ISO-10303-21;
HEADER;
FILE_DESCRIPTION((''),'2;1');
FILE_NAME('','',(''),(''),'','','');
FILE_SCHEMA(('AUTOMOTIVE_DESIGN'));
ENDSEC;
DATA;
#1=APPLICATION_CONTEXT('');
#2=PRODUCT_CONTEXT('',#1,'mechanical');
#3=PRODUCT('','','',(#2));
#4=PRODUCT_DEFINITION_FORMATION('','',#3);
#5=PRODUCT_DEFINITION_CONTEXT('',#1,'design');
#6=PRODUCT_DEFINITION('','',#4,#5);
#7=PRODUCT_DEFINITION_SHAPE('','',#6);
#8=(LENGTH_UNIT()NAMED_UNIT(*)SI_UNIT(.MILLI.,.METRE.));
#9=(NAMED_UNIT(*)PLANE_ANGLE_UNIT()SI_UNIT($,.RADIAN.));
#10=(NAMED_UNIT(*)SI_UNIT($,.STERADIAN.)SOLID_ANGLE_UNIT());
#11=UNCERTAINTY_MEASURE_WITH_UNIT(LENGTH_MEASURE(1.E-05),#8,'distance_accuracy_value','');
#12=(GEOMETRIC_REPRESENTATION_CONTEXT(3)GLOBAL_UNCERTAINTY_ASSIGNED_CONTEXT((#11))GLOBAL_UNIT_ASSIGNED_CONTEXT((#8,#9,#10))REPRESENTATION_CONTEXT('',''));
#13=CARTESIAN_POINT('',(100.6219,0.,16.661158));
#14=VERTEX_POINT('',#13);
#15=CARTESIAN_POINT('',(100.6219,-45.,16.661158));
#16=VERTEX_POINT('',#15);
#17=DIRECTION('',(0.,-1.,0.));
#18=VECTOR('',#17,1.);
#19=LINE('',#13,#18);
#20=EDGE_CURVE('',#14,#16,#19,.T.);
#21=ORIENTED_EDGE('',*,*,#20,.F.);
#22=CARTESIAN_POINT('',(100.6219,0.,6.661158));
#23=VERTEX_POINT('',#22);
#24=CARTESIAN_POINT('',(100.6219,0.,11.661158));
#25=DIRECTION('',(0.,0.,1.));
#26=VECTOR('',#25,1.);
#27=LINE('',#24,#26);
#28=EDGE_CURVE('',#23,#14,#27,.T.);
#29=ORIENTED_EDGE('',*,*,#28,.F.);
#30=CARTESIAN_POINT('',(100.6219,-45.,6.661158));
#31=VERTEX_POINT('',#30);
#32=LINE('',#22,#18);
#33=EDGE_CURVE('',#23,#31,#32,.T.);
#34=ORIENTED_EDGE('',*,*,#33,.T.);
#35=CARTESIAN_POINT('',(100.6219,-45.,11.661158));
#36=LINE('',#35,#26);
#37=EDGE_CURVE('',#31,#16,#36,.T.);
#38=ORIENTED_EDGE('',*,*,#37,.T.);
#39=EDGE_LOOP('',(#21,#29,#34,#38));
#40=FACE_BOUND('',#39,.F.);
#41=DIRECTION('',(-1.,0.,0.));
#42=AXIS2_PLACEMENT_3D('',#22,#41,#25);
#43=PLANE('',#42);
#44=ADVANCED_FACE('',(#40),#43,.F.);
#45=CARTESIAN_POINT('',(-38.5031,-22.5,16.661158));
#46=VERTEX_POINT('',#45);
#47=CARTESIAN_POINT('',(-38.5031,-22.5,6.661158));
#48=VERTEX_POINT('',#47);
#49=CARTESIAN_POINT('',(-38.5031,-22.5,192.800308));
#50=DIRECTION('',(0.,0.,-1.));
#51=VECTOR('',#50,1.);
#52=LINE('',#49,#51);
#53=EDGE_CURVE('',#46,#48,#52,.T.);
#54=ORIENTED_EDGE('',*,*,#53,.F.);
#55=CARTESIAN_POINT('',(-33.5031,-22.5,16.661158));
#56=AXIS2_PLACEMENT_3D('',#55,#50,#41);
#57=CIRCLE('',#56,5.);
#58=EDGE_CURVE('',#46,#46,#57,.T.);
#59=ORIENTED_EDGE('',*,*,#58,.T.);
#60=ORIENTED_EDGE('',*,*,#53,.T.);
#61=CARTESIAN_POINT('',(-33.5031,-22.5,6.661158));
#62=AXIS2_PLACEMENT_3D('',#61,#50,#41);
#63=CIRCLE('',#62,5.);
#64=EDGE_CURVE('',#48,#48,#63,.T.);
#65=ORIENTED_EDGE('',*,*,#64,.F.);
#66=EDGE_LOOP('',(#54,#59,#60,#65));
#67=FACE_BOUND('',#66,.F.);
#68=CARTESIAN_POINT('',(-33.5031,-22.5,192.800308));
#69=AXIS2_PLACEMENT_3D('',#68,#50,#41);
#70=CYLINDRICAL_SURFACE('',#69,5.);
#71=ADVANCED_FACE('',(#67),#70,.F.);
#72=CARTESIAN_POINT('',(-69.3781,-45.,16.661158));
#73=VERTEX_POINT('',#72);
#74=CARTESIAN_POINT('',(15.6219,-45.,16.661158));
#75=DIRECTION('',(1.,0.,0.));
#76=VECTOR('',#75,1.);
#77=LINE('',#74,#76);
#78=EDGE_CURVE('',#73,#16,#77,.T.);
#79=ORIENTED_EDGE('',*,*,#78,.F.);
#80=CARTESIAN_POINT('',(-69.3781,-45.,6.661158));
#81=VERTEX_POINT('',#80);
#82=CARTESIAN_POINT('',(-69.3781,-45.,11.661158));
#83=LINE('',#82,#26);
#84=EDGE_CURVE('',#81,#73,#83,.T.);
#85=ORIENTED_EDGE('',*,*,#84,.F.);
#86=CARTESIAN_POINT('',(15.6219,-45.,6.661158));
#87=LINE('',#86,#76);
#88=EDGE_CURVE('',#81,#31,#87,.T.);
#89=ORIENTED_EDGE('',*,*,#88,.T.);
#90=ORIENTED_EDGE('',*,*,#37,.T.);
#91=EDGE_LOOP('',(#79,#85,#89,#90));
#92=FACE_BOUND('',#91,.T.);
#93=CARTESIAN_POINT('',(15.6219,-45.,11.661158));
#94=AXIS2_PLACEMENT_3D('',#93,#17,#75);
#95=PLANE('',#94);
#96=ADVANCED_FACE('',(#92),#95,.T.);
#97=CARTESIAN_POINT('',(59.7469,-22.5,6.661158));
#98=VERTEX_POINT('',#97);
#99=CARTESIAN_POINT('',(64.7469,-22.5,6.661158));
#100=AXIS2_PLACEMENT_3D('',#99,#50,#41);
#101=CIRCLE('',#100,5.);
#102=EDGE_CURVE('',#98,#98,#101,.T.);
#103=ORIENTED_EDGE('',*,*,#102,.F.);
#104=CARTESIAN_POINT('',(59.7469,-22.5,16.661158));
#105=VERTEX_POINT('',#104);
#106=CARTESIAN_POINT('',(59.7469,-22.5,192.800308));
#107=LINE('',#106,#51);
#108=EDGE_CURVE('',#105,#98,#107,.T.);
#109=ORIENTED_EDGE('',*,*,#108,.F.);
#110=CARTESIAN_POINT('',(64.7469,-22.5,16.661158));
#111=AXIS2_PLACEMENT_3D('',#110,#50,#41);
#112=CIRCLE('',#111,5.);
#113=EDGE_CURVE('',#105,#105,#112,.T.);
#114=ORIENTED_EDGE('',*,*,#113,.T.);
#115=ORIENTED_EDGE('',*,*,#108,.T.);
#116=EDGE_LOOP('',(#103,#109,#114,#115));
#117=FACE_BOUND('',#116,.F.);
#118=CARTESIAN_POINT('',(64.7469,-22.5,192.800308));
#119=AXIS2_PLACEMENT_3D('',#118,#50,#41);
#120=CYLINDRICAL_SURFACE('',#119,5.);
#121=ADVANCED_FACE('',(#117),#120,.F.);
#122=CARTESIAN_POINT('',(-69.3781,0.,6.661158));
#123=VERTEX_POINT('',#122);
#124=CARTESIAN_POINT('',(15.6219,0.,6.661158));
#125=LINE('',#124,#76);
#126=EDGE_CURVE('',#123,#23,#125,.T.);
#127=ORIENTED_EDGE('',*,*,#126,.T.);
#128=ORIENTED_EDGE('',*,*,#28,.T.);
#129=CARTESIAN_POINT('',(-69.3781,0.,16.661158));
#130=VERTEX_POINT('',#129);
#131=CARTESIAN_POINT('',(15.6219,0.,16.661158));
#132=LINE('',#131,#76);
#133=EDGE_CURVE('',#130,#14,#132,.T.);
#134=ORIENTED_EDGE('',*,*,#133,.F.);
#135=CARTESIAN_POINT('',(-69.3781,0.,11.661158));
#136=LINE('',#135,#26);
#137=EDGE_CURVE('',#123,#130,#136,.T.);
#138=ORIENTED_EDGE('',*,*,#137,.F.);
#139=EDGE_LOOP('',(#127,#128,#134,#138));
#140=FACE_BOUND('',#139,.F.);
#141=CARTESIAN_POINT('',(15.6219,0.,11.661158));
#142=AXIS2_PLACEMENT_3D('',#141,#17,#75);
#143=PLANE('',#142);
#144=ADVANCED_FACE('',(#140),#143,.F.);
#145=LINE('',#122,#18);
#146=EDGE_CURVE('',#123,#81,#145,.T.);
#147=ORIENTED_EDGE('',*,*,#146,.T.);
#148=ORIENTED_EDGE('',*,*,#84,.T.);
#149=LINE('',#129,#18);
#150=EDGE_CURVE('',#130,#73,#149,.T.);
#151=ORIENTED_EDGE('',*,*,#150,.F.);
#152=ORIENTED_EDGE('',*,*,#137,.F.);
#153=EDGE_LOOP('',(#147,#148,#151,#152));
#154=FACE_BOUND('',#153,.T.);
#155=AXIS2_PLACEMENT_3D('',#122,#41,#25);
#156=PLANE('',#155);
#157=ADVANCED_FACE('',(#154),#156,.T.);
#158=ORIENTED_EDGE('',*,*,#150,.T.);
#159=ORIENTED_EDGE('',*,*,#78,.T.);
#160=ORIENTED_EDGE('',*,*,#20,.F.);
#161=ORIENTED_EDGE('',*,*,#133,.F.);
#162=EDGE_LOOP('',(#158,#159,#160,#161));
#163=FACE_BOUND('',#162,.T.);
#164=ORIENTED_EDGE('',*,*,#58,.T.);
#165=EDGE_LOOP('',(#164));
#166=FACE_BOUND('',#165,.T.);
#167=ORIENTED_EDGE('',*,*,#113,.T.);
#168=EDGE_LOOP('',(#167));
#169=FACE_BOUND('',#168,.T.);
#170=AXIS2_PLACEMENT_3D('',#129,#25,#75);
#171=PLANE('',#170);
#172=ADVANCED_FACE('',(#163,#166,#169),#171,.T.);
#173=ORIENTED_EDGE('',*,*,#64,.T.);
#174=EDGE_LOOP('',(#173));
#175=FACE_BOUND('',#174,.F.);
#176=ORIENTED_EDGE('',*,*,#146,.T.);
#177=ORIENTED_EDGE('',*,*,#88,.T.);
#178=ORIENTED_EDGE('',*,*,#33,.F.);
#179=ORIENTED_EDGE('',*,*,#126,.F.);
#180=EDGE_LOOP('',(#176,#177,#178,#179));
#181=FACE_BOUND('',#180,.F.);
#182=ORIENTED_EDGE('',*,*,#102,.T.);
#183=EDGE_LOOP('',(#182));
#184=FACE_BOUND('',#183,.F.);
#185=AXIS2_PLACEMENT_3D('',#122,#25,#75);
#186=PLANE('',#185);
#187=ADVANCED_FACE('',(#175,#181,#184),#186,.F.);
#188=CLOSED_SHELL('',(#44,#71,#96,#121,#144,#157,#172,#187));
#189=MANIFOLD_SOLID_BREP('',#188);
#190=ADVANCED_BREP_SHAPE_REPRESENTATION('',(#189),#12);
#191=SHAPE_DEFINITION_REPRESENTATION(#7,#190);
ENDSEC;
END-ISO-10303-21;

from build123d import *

# Parameters (mm, degrees)
F0_W     = 170
F0_H     = 10
F1_DEPTH = 45
F3_D     = 10


with BuildPart() as f1:
    # F0 (on Front) → F1 (new body)
    with BuildSketch(Plane.XZ):
        with Locations((15.6219, 11.661158)):
            Rectangle(F0_W, F0_H)
    extrude(amount=F1_DEPTH)

    # F3 (through all)
    with Locations(Plane.XY.offset(16.661158)):
        with Locations((-33.5031, -22.5), (64.7469, -22.5)):
            Hole(F3_D / 2)


solid = f1.part
